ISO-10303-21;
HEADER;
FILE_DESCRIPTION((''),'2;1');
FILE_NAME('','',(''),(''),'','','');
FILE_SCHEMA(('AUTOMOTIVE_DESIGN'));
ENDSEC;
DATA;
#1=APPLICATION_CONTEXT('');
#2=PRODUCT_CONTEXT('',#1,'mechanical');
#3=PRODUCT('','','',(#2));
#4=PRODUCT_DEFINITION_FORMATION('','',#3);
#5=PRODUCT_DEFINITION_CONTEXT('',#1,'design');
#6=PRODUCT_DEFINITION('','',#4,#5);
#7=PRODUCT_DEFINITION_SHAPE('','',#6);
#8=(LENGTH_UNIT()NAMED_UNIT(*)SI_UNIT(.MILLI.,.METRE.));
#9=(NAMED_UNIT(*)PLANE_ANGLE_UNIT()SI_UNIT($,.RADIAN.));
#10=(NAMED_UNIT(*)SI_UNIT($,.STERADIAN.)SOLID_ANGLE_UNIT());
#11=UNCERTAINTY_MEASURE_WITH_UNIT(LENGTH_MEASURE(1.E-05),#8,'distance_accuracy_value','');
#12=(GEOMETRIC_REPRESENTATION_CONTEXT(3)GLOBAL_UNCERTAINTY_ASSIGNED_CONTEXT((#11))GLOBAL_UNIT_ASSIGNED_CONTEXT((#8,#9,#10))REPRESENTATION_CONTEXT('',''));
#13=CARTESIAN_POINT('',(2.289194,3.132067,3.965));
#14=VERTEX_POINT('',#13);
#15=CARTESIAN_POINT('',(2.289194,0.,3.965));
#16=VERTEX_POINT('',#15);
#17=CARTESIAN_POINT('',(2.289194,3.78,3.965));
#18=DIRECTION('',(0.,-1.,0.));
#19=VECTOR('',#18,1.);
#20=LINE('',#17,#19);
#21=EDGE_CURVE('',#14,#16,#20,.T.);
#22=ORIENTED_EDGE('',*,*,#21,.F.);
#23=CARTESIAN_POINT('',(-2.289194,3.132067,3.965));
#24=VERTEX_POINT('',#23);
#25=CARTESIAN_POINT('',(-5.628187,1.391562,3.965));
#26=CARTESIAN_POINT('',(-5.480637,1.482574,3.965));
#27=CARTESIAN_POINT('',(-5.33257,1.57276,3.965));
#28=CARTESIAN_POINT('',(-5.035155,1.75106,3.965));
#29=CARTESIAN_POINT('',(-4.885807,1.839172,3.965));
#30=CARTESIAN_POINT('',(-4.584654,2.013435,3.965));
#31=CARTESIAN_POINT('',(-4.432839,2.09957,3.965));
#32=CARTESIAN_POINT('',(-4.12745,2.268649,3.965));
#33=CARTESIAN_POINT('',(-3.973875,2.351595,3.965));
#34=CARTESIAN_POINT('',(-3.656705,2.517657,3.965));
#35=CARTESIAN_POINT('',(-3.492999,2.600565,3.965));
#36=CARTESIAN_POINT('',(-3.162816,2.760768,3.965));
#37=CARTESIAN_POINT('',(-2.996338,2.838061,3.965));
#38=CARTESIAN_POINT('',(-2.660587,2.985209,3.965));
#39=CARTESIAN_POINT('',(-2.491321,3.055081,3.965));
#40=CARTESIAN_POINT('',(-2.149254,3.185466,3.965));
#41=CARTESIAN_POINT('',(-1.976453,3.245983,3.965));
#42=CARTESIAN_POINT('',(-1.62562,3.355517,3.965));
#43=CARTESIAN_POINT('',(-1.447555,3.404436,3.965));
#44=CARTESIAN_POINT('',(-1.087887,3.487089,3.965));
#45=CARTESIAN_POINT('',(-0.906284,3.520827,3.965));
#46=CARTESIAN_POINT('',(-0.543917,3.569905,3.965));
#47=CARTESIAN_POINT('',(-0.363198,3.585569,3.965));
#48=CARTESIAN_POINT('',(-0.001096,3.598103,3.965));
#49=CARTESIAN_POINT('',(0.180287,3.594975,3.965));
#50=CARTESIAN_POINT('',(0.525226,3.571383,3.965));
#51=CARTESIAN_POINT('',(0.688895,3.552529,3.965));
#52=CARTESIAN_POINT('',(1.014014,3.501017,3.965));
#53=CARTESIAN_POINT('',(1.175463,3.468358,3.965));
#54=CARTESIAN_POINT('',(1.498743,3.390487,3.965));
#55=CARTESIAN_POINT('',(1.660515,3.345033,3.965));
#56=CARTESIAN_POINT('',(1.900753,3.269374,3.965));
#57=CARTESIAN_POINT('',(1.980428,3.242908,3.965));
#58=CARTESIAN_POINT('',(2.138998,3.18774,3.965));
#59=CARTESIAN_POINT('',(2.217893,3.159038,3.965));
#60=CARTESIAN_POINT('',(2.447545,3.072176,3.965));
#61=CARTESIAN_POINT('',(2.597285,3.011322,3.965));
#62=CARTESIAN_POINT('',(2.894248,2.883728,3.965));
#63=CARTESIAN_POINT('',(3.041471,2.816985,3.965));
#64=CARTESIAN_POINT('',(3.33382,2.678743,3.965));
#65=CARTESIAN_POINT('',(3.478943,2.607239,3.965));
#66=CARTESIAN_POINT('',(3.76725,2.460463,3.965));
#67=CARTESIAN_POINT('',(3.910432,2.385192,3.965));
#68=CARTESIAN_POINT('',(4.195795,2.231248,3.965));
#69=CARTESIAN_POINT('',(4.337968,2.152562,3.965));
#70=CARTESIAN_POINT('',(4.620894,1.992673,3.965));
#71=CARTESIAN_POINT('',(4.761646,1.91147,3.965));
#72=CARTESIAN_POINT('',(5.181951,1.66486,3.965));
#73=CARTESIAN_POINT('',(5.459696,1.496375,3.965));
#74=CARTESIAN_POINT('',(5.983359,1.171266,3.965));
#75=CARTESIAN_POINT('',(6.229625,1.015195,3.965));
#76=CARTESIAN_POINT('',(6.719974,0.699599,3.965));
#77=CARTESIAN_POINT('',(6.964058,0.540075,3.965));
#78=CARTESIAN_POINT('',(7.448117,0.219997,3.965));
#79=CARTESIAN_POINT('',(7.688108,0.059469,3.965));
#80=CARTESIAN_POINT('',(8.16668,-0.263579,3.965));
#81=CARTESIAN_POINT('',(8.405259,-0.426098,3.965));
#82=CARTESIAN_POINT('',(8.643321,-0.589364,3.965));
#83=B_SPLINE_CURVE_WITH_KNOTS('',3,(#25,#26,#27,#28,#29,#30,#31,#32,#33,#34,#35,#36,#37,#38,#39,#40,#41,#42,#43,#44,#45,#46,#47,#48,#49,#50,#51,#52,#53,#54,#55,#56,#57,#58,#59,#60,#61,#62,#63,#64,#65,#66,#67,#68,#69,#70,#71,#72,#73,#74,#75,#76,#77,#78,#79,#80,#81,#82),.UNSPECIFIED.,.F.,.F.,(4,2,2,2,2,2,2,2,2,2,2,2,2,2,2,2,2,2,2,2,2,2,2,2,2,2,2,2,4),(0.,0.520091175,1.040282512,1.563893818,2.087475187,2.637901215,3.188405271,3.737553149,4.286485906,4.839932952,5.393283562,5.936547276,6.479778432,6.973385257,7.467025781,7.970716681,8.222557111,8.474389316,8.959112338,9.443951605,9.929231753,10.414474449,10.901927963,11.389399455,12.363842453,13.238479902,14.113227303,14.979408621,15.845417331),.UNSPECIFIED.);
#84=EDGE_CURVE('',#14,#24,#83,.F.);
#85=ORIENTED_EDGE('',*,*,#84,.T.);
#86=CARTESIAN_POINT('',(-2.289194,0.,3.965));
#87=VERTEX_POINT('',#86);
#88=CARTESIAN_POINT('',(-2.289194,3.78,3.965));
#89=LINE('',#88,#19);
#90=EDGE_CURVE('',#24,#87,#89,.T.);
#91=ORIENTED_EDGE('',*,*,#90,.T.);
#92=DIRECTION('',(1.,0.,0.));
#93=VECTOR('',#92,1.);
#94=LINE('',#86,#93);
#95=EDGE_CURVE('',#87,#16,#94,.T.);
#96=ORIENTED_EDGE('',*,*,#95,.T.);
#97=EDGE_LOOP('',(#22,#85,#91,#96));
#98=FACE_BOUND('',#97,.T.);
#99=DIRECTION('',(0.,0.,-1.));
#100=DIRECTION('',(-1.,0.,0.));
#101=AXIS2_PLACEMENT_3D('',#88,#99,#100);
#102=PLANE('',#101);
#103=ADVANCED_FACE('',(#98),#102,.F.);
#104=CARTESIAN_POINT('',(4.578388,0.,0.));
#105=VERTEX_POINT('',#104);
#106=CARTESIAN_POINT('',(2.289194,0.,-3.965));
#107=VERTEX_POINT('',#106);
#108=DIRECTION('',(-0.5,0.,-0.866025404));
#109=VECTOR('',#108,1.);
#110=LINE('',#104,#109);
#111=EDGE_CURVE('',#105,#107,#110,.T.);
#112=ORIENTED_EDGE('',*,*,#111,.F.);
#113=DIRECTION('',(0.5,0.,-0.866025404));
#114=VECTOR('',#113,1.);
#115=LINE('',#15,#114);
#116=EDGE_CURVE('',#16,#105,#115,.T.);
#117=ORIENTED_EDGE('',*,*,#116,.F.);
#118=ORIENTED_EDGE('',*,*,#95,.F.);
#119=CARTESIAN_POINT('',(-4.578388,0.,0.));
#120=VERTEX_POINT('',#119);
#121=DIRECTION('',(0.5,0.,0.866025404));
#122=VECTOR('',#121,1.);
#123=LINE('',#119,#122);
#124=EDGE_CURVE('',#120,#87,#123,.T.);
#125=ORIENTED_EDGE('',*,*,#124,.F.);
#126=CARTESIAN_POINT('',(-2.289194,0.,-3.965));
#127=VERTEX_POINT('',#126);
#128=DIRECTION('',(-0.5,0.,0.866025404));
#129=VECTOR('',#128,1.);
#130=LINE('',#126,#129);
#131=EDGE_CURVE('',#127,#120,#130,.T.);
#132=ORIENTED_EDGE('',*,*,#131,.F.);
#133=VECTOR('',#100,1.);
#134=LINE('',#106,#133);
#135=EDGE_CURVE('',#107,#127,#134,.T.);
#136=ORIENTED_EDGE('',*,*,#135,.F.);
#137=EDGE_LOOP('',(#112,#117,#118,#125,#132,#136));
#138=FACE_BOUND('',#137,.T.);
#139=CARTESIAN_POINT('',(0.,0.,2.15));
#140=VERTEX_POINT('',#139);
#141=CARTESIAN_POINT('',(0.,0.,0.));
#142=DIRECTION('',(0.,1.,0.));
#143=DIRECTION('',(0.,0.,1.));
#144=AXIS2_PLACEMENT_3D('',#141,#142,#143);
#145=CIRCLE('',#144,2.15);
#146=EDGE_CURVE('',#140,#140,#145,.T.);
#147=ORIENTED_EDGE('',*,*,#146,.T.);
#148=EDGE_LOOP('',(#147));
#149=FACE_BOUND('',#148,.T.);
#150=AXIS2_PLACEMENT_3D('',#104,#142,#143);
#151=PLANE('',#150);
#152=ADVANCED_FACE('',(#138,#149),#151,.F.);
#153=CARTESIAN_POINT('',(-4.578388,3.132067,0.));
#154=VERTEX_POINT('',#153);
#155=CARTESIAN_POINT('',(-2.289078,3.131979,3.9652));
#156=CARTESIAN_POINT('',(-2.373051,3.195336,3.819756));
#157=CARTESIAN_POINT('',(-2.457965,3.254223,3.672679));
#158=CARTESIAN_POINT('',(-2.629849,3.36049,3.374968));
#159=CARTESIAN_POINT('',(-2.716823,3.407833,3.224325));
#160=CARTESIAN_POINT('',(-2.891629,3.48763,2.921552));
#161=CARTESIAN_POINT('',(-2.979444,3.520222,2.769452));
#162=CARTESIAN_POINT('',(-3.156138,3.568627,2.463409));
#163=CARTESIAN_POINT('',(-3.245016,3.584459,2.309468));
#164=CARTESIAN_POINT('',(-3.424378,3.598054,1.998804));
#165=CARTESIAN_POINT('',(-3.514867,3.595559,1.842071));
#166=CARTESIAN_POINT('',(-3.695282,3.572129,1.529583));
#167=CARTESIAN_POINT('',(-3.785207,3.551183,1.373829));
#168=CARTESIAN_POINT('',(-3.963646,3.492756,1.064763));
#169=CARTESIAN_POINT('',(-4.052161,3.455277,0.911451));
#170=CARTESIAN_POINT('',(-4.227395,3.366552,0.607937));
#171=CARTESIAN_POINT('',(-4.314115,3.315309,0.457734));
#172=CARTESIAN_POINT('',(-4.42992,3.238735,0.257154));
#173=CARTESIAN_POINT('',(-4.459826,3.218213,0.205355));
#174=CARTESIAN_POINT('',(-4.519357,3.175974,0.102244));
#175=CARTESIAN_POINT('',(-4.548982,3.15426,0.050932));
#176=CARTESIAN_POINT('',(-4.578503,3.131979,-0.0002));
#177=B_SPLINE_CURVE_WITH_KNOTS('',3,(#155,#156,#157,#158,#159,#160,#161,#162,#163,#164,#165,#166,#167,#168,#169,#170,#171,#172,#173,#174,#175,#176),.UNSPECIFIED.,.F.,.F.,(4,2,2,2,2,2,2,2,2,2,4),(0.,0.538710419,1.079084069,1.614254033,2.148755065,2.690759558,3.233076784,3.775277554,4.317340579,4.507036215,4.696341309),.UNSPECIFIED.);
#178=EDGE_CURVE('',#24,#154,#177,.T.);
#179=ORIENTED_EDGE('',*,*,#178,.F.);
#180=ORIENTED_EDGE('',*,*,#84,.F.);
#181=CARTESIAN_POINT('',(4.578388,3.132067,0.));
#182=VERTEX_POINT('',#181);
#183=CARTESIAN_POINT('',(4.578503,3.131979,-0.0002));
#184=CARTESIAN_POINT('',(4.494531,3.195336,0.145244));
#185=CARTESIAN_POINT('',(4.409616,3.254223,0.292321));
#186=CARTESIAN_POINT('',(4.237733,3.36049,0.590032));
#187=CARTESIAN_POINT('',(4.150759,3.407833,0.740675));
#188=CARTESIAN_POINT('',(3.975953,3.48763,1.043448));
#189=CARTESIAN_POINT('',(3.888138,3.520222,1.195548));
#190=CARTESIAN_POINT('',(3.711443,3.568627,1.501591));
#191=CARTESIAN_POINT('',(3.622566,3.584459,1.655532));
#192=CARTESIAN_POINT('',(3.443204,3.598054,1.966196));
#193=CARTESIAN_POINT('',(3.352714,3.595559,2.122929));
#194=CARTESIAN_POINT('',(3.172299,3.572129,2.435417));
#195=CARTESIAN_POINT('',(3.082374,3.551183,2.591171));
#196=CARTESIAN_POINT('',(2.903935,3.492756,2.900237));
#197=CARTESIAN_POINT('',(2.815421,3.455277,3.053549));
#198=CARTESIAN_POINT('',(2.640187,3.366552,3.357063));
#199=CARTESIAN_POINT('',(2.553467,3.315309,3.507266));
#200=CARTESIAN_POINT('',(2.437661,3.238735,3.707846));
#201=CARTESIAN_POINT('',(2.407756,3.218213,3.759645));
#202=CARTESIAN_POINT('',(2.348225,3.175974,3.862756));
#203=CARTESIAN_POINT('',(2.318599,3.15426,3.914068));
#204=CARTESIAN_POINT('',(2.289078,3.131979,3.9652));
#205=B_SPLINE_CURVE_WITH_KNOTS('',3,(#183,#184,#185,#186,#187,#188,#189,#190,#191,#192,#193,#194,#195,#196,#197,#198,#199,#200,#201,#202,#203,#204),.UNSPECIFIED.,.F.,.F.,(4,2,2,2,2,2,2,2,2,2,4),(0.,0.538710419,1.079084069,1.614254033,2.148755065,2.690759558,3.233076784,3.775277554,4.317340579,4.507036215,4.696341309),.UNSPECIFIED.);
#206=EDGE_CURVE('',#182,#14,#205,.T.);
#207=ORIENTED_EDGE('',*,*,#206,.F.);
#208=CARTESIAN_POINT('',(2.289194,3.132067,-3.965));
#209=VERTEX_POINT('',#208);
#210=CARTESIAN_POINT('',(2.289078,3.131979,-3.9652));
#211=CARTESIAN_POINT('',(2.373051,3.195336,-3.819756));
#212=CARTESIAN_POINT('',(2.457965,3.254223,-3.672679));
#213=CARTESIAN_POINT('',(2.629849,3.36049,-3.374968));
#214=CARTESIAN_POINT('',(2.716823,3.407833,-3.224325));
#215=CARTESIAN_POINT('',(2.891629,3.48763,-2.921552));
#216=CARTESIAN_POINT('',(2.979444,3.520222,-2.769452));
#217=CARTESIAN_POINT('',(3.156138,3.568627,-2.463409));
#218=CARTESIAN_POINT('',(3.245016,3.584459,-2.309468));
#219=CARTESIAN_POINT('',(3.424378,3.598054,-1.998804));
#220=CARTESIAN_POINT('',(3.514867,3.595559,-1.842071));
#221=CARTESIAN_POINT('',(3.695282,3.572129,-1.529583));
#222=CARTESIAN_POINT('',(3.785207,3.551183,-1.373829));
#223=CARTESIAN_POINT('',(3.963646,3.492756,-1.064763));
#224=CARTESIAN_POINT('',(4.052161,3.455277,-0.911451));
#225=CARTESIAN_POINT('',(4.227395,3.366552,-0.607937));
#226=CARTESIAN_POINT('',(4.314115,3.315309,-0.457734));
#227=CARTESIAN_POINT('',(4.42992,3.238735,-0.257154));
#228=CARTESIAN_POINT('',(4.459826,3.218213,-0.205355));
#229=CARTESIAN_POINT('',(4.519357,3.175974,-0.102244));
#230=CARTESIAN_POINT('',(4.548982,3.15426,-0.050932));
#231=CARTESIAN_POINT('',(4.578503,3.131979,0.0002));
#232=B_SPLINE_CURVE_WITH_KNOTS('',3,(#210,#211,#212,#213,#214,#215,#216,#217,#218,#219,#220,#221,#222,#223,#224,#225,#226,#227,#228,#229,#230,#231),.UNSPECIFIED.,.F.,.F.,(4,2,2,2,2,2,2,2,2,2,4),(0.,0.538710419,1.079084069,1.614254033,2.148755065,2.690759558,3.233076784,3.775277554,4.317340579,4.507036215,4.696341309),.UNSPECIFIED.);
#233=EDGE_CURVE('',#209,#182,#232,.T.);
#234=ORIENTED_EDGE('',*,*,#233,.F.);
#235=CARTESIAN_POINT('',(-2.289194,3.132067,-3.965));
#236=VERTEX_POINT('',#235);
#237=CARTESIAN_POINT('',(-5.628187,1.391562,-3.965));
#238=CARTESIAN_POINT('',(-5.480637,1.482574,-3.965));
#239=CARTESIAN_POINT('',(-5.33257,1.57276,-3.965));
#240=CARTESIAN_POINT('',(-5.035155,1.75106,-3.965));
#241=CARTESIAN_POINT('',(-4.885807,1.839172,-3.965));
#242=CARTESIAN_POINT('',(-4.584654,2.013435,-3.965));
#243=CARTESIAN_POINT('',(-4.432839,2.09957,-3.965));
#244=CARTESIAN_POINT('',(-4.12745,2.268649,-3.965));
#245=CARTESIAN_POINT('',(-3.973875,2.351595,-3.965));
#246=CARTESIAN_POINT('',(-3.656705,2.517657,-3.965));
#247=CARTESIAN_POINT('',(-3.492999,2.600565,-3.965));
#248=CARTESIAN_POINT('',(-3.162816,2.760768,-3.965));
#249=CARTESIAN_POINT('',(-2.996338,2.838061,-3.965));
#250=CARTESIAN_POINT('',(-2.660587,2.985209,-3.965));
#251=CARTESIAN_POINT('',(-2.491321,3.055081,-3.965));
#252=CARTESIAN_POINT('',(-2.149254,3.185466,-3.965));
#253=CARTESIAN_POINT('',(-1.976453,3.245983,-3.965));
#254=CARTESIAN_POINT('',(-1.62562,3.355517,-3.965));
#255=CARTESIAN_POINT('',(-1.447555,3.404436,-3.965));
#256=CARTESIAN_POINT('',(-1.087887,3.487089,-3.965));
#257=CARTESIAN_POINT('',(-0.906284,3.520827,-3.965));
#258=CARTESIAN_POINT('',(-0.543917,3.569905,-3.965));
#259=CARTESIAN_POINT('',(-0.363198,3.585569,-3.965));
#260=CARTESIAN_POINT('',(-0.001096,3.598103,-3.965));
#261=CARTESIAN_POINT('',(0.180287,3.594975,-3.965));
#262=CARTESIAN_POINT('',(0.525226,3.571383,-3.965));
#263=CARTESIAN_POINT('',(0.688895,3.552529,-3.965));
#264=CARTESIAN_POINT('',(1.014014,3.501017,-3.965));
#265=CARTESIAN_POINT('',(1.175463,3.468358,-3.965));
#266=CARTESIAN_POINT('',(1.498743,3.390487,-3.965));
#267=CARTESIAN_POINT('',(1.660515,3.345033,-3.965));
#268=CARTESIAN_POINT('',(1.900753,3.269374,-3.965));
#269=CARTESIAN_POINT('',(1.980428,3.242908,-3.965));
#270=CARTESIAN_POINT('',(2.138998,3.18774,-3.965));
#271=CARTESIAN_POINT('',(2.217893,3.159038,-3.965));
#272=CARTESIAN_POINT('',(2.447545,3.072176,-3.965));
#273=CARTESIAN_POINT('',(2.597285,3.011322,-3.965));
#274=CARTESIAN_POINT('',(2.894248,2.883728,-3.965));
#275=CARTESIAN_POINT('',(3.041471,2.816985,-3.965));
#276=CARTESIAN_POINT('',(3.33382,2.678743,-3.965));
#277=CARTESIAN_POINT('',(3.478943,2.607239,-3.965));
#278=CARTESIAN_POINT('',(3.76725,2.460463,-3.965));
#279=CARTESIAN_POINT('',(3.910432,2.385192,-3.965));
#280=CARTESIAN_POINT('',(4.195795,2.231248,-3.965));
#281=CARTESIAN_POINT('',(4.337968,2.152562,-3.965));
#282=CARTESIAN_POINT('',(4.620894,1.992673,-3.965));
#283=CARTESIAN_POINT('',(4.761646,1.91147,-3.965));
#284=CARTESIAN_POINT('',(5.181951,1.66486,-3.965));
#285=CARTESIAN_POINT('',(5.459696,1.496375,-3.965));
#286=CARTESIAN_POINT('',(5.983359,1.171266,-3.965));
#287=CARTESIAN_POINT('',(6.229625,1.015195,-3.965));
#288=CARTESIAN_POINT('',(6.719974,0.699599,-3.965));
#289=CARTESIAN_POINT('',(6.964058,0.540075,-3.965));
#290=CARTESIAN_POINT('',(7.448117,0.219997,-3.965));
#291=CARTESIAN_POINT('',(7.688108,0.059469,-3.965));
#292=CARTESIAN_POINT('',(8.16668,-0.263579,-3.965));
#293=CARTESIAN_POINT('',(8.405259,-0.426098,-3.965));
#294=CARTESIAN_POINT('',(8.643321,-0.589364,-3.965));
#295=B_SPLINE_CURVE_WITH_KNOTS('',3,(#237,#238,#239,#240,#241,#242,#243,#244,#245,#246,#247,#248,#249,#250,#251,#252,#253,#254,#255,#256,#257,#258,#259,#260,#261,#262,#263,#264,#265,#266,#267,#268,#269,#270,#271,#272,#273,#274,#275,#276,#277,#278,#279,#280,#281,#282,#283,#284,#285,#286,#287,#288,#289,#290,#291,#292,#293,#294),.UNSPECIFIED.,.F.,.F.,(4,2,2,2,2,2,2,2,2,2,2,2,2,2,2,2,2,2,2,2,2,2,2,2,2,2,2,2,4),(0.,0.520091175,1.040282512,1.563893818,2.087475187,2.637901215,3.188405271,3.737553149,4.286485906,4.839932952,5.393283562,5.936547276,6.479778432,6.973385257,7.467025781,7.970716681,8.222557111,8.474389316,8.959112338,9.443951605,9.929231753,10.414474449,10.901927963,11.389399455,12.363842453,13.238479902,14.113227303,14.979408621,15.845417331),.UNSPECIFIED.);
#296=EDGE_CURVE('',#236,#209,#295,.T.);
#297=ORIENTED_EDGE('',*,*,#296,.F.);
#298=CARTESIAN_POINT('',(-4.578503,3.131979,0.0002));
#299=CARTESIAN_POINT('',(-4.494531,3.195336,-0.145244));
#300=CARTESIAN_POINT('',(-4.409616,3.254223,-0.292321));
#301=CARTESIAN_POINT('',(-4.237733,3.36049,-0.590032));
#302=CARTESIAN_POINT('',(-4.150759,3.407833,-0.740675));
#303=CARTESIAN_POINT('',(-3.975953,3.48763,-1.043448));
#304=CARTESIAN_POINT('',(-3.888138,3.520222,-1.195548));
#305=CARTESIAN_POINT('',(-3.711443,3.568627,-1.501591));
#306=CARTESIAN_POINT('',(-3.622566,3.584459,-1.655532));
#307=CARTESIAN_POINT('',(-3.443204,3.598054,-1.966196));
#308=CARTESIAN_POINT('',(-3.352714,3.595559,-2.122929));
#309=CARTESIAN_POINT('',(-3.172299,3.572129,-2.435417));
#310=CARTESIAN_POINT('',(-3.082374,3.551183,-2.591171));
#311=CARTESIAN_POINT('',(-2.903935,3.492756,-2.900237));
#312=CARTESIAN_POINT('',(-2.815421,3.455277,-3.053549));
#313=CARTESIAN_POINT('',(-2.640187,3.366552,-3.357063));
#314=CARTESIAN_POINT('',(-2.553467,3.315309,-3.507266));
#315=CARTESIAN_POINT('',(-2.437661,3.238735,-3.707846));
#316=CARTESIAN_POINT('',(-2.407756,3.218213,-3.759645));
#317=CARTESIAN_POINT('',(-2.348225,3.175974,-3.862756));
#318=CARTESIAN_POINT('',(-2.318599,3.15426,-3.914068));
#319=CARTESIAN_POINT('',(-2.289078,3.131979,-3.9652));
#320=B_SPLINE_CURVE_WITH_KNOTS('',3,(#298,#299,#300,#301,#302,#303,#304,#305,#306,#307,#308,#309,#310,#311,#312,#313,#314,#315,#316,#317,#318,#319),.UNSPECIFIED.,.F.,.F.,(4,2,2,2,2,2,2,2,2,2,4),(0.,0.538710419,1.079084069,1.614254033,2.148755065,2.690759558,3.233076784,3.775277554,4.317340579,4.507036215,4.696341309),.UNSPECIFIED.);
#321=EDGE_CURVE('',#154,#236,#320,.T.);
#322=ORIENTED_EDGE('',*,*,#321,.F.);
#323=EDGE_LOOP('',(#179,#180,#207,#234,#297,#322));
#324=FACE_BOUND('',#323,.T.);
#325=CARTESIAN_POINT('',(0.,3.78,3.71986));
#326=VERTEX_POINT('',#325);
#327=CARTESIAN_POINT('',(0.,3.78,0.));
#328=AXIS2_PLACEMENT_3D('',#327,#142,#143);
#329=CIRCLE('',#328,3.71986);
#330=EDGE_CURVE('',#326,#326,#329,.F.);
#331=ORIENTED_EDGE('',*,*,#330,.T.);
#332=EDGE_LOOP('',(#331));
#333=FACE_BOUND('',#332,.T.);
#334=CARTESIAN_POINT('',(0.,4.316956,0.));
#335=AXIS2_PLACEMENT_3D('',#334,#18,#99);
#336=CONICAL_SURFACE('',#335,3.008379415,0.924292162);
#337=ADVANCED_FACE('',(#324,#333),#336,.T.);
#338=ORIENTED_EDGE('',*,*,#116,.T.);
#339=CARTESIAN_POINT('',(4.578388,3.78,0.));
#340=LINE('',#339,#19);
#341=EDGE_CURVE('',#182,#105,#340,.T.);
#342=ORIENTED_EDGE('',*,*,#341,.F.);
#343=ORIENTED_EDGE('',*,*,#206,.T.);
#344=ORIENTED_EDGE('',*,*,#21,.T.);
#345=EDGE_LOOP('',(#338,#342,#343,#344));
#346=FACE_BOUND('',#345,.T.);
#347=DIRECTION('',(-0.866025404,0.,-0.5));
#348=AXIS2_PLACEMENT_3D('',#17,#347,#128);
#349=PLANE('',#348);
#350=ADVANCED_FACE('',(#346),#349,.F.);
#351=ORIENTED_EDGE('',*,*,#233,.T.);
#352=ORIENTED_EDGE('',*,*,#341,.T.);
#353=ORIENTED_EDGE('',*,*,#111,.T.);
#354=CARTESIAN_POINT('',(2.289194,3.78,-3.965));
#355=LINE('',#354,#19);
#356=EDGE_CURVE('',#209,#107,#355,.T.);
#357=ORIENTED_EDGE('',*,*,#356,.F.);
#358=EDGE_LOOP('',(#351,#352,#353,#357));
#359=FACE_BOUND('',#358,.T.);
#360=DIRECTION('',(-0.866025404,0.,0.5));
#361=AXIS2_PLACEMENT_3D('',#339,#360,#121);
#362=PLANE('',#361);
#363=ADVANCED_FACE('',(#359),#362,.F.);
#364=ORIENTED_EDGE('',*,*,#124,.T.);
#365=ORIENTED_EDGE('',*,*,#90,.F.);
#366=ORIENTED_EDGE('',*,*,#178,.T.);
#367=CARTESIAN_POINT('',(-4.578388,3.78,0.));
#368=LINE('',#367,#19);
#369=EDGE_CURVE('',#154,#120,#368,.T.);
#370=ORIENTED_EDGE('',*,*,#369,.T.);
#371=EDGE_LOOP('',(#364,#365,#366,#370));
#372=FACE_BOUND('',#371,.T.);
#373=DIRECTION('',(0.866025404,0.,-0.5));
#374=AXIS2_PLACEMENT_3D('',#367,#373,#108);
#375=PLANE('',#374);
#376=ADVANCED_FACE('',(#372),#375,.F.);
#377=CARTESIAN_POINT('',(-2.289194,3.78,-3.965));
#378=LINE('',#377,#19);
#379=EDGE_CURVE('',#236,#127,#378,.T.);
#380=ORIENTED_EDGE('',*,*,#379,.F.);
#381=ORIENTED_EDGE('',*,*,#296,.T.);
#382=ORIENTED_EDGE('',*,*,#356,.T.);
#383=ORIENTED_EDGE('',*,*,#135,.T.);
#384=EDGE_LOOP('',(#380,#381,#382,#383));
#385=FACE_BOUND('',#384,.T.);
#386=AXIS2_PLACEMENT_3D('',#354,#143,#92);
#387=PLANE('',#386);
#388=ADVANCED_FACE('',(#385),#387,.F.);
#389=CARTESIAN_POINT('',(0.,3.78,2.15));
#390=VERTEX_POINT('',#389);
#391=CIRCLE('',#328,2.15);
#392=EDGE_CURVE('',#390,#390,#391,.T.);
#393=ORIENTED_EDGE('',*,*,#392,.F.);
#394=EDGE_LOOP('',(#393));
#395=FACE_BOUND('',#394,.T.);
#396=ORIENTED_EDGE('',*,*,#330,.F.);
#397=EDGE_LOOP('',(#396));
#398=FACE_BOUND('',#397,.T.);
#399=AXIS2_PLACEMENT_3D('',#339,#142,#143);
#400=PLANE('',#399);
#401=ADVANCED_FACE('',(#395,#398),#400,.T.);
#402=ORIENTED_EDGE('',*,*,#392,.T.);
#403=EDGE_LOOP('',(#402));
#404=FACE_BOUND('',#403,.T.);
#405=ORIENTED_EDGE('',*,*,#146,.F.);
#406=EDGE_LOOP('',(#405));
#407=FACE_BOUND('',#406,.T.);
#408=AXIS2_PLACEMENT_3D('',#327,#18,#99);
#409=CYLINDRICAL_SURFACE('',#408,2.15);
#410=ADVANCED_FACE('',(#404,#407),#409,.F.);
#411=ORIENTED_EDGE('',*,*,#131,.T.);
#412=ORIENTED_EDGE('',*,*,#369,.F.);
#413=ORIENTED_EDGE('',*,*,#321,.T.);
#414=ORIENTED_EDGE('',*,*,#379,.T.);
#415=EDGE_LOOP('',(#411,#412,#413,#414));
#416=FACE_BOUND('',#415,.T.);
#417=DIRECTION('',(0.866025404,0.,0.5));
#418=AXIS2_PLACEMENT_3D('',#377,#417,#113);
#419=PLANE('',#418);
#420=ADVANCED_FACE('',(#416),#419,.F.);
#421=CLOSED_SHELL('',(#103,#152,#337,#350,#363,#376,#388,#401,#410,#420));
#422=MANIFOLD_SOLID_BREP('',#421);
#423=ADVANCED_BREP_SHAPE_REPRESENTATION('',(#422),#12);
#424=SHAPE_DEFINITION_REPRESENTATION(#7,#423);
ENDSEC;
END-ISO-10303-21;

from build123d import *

# Parameters (mm, degrees)
SKETCH1_R           = 2.15
BOSS_EXTRUDE1_DEPTH = 3.78


with BuildPart() as part:
    # Sketch1 → Boss-Extrude1 (new body)
    with BuildSketch(Plane(origin=(0, 0, 0), x_dir=(1, 0, 0), z_dir=(0, 1, 0))):
        Polygon((4.578387635, 0), (2.289193817, 3.965), (-2.289193817, 3.965), (-4.578387635, 0), (-2.289193817, -3.965), (2.289193817, -3.965), align=None)
        with Locations(Location((0, 0, 0), (0, 0, 270))):
            Circle(SKETCH1_R, mode=Mode.SUBTRACT)
    extrude(amount=BOSS_EXTRUDE1_DEPTH)

    # Sketch2 → Cut-Revolve1 (revolve, cut)
    with BuildSketch(Plane(origin=(0, 0, 0), x_dir=(0, 0, -1), z_dir=(1, 0, 0)), mode=Mode.PRIVATE) as cut_revolve1_sk:
        Polygon((3.008379415, 4.316956257), (7.760790511, 0.730297909), (8.861229965, 2.9800107), align=None)
    revolve(cut_revolve1_sk.sketch.rotate(Axis((0, 0, 0), (0, 1, 0)), 329.999999889), axis=Axis((0, 0, 0), (0, 1, 0)), mode=Mode.SUBTRACT)


solid = part.part
